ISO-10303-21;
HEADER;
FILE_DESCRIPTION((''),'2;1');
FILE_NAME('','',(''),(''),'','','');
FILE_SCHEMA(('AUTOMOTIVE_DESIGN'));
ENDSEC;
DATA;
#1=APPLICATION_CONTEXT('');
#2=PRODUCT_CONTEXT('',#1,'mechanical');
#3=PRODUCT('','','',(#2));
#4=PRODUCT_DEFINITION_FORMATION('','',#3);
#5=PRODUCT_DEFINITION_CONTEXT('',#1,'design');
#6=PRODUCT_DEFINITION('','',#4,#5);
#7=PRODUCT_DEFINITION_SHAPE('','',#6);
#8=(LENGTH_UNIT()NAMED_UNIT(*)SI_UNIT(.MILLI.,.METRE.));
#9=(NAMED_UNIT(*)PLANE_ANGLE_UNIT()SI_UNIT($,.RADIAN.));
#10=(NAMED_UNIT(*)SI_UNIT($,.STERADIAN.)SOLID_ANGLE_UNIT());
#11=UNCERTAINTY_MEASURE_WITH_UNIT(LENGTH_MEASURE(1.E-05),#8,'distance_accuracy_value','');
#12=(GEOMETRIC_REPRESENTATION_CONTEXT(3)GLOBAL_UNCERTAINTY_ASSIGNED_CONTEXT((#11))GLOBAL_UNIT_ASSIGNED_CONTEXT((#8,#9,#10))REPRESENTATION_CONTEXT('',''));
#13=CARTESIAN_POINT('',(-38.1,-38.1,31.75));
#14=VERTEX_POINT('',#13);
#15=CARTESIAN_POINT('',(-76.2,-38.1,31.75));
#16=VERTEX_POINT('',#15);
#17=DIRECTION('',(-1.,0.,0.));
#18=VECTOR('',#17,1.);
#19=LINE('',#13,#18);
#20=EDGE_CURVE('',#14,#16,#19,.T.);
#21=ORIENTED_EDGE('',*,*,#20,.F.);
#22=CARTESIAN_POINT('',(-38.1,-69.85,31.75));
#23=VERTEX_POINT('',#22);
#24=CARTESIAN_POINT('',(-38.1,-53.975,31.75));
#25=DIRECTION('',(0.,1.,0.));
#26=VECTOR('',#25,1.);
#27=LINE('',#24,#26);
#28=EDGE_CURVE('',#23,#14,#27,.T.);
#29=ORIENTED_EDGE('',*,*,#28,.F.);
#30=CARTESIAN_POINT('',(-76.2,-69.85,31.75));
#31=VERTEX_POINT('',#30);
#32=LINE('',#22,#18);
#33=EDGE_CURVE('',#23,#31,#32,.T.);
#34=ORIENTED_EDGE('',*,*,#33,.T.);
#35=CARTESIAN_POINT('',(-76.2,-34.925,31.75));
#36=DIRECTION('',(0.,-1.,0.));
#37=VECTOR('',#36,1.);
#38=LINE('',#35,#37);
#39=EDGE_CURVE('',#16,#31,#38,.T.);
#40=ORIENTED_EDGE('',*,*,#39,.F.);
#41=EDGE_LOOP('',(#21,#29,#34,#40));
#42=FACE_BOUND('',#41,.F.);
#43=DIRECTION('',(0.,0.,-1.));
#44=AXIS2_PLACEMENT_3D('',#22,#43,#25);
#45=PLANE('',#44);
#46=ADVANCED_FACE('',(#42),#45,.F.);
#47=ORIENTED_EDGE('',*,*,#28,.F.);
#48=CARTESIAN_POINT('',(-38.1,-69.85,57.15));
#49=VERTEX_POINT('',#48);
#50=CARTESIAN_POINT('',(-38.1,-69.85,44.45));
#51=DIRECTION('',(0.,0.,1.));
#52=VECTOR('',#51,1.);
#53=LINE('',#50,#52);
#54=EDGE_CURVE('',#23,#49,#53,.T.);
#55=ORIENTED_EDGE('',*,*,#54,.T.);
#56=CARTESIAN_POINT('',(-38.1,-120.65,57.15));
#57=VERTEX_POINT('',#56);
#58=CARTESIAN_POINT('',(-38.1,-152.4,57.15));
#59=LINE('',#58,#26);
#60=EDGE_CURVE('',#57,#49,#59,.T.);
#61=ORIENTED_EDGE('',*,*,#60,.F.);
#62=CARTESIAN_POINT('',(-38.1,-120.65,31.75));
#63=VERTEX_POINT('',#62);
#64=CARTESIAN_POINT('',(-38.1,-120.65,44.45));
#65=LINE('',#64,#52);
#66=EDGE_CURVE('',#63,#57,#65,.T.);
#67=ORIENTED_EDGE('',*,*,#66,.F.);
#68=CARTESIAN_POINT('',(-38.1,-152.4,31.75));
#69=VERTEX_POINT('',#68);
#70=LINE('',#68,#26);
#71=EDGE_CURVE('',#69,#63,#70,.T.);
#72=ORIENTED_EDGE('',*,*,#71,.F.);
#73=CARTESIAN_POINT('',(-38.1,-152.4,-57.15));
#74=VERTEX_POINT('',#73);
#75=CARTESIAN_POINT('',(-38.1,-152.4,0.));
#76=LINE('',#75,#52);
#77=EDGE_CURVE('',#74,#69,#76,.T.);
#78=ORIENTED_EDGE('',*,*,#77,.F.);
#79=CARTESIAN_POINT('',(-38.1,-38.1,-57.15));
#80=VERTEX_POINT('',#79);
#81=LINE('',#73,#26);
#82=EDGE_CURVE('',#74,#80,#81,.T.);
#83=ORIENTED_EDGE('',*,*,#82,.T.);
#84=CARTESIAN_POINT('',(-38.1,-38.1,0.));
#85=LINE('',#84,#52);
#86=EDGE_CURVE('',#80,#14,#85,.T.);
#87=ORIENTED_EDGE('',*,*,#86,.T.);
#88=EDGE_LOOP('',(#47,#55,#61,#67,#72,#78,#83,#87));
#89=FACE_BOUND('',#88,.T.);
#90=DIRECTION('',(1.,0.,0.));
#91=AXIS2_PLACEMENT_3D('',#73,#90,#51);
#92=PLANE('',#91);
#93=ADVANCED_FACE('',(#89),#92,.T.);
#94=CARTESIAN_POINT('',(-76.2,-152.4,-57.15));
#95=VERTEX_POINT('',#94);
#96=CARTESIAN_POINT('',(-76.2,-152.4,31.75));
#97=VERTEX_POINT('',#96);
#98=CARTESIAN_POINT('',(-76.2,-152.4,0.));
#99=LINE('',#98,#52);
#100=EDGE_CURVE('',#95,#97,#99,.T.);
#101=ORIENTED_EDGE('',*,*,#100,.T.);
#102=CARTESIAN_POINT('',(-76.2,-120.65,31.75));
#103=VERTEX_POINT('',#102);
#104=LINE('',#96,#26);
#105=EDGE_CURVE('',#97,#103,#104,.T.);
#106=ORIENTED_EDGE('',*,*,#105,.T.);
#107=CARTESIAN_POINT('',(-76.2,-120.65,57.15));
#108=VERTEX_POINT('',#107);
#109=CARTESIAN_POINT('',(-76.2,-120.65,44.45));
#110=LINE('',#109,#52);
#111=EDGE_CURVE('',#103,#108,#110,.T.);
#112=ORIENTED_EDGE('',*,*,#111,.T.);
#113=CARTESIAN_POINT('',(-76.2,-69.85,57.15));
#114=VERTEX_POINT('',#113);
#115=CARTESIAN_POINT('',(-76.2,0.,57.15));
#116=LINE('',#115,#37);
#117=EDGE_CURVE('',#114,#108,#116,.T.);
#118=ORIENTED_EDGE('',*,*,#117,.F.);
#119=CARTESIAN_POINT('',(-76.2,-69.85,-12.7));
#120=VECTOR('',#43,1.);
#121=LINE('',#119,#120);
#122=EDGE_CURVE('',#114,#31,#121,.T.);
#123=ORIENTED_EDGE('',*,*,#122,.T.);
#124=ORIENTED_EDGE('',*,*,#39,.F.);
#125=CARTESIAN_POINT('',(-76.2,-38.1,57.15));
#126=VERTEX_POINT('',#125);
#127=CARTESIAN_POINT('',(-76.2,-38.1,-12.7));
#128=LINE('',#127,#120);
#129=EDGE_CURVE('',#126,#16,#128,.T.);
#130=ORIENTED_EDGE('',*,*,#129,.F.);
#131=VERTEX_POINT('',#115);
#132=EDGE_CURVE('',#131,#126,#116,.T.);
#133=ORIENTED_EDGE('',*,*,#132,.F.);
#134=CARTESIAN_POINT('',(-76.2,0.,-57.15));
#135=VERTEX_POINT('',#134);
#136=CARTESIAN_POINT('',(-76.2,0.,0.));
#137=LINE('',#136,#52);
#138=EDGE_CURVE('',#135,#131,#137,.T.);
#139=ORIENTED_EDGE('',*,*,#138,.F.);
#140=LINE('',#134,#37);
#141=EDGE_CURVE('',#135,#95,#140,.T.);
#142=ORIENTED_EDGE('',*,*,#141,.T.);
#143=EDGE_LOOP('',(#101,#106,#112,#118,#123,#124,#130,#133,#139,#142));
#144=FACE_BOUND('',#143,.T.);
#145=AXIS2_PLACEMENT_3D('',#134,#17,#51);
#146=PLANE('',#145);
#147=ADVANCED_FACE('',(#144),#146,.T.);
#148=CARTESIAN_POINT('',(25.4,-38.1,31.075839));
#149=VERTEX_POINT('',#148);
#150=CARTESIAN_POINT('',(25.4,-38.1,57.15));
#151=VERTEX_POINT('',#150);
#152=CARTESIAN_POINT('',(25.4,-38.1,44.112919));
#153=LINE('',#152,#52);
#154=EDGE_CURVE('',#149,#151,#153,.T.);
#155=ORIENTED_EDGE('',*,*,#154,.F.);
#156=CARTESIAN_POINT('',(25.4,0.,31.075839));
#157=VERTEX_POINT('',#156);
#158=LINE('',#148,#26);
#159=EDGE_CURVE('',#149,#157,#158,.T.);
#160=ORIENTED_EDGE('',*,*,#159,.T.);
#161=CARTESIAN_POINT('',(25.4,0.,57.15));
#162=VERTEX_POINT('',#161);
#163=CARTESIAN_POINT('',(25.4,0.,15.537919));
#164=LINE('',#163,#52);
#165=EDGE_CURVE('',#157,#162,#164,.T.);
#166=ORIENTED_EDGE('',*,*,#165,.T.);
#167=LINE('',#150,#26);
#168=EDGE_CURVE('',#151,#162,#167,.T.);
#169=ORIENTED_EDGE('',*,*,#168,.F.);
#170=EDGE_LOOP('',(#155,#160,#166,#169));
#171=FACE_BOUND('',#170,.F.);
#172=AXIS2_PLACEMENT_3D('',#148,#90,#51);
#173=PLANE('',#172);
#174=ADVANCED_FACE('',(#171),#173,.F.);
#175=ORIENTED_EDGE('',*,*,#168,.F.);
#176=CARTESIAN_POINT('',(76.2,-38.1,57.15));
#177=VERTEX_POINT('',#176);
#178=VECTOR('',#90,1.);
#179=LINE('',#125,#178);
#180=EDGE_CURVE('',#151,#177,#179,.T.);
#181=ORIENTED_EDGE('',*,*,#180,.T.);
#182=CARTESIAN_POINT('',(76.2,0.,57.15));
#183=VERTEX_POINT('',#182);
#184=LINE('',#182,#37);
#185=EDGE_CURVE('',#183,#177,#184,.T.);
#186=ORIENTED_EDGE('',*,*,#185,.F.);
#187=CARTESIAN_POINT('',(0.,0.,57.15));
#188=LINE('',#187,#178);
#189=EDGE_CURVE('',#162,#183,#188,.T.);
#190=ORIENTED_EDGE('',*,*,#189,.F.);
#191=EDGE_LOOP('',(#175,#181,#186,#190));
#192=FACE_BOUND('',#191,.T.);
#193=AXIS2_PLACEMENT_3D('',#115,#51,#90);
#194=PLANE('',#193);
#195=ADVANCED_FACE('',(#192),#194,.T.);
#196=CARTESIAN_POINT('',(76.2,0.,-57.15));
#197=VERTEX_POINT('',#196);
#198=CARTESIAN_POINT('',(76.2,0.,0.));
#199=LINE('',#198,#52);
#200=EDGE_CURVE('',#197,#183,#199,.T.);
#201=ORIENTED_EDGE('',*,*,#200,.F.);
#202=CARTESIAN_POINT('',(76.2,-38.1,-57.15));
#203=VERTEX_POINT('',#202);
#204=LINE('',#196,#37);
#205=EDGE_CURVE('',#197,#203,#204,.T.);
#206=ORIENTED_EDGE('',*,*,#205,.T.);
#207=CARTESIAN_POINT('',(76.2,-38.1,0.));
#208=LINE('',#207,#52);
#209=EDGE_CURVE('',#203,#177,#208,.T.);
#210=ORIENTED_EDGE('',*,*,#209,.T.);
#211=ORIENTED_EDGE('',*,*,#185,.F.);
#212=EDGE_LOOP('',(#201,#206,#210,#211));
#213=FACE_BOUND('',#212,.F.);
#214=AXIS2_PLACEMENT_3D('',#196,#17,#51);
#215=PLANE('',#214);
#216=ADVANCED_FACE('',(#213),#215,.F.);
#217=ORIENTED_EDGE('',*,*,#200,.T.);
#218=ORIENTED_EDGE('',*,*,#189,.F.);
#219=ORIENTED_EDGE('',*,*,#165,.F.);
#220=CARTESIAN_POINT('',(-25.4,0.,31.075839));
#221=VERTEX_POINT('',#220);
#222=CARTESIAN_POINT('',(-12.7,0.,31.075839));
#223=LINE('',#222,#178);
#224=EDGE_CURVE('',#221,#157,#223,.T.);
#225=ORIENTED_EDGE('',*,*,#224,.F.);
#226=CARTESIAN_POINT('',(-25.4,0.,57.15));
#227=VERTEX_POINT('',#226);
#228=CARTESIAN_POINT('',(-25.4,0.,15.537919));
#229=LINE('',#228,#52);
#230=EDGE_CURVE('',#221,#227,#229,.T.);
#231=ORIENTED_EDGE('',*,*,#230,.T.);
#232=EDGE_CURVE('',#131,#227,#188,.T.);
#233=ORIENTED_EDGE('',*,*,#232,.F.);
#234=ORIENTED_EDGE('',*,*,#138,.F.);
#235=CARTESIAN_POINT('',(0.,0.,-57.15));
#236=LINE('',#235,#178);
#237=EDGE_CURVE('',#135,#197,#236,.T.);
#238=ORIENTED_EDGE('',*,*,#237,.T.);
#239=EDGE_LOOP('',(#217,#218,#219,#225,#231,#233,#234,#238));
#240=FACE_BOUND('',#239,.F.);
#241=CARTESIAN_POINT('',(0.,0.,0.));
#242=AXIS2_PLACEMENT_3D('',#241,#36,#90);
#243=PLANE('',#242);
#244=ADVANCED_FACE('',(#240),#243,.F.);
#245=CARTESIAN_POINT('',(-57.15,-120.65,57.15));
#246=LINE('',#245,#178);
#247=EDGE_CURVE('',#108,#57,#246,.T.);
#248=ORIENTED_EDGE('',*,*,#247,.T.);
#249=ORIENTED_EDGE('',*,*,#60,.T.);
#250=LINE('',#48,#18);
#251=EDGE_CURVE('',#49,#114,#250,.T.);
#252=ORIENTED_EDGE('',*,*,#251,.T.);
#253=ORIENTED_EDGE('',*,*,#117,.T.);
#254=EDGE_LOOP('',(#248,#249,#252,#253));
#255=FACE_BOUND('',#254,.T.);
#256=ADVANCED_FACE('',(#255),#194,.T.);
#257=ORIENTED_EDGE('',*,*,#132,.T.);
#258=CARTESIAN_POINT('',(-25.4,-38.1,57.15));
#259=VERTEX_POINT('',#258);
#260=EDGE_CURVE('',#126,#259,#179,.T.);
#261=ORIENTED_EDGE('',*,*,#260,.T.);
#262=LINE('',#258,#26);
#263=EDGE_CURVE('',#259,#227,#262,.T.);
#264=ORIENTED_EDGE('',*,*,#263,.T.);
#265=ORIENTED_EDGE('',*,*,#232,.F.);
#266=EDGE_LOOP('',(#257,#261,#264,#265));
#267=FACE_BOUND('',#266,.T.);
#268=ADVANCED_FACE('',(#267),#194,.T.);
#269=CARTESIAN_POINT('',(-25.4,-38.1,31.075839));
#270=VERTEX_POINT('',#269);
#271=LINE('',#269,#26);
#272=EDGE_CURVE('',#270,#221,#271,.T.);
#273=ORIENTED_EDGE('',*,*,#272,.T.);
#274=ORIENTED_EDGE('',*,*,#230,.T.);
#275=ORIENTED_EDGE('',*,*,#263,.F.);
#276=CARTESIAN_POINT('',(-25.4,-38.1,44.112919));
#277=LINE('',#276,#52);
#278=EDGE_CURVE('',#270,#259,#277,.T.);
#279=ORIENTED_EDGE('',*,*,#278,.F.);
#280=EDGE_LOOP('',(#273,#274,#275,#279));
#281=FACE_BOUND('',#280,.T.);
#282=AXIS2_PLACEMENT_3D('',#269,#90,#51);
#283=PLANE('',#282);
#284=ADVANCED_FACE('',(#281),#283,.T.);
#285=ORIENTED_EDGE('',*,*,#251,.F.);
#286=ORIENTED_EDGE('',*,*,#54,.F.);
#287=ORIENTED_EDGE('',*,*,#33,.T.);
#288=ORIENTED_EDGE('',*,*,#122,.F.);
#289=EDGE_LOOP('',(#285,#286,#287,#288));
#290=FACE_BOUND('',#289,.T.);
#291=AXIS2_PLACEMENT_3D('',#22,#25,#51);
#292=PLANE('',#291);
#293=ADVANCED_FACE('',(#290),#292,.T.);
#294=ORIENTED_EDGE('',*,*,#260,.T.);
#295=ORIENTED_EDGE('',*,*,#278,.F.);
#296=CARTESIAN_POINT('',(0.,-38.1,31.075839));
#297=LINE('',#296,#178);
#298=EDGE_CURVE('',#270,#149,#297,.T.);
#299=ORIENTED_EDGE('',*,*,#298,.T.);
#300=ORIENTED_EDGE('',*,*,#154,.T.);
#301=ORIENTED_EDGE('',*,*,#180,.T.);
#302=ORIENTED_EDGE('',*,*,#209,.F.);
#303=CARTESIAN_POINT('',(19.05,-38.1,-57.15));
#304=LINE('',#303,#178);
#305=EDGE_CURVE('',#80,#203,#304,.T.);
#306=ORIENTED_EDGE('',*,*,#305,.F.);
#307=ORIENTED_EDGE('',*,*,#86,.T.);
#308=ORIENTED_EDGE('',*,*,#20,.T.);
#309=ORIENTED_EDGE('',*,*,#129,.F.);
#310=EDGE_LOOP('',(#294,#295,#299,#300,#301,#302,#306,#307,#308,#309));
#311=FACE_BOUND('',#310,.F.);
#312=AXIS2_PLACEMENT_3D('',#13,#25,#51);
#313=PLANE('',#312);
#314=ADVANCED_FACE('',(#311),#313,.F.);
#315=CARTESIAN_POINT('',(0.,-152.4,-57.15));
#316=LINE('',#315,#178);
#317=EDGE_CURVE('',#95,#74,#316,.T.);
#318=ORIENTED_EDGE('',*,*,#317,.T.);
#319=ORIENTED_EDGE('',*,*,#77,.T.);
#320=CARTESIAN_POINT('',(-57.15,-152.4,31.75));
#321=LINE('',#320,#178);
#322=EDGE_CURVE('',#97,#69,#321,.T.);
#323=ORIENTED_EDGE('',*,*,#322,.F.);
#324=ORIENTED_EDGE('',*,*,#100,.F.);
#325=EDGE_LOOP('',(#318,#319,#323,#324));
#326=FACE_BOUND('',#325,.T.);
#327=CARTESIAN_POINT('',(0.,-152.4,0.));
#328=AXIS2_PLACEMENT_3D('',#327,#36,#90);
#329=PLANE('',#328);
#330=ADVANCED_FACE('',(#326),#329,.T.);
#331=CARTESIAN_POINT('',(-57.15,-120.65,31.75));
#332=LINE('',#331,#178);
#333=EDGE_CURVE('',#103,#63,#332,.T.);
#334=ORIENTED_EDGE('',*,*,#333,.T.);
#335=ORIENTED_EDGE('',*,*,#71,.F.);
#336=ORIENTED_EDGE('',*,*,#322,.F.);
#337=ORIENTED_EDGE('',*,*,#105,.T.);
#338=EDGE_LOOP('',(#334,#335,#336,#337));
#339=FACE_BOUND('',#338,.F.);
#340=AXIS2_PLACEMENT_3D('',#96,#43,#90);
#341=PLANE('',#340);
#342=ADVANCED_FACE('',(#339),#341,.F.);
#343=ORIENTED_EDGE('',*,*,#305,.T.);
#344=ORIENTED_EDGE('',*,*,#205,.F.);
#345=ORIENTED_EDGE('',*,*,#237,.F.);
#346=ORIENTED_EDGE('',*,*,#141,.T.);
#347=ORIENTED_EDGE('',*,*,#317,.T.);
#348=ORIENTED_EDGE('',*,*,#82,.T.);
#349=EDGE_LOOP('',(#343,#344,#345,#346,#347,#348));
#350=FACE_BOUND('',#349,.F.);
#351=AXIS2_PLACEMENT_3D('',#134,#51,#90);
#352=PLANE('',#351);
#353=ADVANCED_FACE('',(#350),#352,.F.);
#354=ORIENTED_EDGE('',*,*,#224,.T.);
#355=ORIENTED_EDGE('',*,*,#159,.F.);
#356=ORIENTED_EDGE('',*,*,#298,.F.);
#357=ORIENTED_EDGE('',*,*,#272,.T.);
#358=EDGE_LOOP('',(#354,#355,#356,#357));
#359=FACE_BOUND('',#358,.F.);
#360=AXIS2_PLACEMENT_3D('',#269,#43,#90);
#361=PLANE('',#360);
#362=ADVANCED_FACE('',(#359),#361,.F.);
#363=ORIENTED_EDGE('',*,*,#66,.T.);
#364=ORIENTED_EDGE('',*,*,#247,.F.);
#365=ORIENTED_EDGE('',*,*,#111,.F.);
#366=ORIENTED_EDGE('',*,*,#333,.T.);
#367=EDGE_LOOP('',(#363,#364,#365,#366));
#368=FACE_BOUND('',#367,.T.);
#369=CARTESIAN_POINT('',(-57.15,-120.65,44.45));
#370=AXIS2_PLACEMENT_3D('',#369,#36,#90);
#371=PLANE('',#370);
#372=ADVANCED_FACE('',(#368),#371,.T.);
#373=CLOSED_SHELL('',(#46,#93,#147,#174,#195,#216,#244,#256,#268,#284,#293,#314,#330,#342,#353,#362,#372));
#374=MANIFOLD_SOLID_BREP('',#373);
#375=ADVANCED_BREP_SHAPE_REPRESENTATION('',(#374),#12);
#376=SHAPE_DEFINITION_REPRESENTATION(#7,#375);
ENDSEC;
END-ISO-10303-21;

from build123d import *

# Parameters (mm, degrees)
F0_W     = 152.4
F0_H     = 114.3
F1_DEPTH = 152.4
F2_W     = 114.3
F2_H     = 114.3
F3_DEPTH = 114.3
F4_W     = 38.1
F4_H     = 25.4
F5_DEPTH = 31.75
F6_W     = 31.75
F6_H     = 25.4
F7_DEPTH = 38.101
F8_W     = 50.8
F8_H     = 26.0741613155
F9_DEPTH = 38.101


with BuildPart() as f1:
    # F0 (on Front) → F1 (new body)
    with BuildSketch(Plane.XZ):
        Rectangle(F0_W, F0_H)
    extrude(amount=F1_DEPTH)

    # F2 (on face) → F3 (cut)
    with BuildSketch(Plane.XZ.offset(152.4)):
        with Locations((19.05, 0)):
            Rectangle(F2_W, F2_H)
    extrude(amount=-F3_DEPTH, mode=Mode.SUBTRACT)

    # F4 (on face) → F5 (cut)
    with BuildSketch(Plane.XZ.offset(152.4)):
        with Locations((-57.15, 44.45)):
            Rectangle(F4_W, F4_H)
    extrude(amount=-F5_DEPTH, mode=Mode.SUBTRACT)

    # F6 (on face) → F7 (cut, through all)
    with BuildSketch(Plane.YZ.offset(-38.1)):
        with Locations((-53.975, 44.45)):
            Rectangle(F6_W, F6_H)
    extrude(amount=-F7_DEPTH, mode=Mode.SUBTRACT)

    # F8 (on face) → F9 (cut, through all)
    with BuildSketch(Plane.XZ.offset(38.1)):
        with Locations((0, 44.1129193423)):
            Rectangle(F8_W, F8_H)
    extrude(amount=-F9_DEPTH, mode=Mode.SUBTRACT)


solid = f1.part
